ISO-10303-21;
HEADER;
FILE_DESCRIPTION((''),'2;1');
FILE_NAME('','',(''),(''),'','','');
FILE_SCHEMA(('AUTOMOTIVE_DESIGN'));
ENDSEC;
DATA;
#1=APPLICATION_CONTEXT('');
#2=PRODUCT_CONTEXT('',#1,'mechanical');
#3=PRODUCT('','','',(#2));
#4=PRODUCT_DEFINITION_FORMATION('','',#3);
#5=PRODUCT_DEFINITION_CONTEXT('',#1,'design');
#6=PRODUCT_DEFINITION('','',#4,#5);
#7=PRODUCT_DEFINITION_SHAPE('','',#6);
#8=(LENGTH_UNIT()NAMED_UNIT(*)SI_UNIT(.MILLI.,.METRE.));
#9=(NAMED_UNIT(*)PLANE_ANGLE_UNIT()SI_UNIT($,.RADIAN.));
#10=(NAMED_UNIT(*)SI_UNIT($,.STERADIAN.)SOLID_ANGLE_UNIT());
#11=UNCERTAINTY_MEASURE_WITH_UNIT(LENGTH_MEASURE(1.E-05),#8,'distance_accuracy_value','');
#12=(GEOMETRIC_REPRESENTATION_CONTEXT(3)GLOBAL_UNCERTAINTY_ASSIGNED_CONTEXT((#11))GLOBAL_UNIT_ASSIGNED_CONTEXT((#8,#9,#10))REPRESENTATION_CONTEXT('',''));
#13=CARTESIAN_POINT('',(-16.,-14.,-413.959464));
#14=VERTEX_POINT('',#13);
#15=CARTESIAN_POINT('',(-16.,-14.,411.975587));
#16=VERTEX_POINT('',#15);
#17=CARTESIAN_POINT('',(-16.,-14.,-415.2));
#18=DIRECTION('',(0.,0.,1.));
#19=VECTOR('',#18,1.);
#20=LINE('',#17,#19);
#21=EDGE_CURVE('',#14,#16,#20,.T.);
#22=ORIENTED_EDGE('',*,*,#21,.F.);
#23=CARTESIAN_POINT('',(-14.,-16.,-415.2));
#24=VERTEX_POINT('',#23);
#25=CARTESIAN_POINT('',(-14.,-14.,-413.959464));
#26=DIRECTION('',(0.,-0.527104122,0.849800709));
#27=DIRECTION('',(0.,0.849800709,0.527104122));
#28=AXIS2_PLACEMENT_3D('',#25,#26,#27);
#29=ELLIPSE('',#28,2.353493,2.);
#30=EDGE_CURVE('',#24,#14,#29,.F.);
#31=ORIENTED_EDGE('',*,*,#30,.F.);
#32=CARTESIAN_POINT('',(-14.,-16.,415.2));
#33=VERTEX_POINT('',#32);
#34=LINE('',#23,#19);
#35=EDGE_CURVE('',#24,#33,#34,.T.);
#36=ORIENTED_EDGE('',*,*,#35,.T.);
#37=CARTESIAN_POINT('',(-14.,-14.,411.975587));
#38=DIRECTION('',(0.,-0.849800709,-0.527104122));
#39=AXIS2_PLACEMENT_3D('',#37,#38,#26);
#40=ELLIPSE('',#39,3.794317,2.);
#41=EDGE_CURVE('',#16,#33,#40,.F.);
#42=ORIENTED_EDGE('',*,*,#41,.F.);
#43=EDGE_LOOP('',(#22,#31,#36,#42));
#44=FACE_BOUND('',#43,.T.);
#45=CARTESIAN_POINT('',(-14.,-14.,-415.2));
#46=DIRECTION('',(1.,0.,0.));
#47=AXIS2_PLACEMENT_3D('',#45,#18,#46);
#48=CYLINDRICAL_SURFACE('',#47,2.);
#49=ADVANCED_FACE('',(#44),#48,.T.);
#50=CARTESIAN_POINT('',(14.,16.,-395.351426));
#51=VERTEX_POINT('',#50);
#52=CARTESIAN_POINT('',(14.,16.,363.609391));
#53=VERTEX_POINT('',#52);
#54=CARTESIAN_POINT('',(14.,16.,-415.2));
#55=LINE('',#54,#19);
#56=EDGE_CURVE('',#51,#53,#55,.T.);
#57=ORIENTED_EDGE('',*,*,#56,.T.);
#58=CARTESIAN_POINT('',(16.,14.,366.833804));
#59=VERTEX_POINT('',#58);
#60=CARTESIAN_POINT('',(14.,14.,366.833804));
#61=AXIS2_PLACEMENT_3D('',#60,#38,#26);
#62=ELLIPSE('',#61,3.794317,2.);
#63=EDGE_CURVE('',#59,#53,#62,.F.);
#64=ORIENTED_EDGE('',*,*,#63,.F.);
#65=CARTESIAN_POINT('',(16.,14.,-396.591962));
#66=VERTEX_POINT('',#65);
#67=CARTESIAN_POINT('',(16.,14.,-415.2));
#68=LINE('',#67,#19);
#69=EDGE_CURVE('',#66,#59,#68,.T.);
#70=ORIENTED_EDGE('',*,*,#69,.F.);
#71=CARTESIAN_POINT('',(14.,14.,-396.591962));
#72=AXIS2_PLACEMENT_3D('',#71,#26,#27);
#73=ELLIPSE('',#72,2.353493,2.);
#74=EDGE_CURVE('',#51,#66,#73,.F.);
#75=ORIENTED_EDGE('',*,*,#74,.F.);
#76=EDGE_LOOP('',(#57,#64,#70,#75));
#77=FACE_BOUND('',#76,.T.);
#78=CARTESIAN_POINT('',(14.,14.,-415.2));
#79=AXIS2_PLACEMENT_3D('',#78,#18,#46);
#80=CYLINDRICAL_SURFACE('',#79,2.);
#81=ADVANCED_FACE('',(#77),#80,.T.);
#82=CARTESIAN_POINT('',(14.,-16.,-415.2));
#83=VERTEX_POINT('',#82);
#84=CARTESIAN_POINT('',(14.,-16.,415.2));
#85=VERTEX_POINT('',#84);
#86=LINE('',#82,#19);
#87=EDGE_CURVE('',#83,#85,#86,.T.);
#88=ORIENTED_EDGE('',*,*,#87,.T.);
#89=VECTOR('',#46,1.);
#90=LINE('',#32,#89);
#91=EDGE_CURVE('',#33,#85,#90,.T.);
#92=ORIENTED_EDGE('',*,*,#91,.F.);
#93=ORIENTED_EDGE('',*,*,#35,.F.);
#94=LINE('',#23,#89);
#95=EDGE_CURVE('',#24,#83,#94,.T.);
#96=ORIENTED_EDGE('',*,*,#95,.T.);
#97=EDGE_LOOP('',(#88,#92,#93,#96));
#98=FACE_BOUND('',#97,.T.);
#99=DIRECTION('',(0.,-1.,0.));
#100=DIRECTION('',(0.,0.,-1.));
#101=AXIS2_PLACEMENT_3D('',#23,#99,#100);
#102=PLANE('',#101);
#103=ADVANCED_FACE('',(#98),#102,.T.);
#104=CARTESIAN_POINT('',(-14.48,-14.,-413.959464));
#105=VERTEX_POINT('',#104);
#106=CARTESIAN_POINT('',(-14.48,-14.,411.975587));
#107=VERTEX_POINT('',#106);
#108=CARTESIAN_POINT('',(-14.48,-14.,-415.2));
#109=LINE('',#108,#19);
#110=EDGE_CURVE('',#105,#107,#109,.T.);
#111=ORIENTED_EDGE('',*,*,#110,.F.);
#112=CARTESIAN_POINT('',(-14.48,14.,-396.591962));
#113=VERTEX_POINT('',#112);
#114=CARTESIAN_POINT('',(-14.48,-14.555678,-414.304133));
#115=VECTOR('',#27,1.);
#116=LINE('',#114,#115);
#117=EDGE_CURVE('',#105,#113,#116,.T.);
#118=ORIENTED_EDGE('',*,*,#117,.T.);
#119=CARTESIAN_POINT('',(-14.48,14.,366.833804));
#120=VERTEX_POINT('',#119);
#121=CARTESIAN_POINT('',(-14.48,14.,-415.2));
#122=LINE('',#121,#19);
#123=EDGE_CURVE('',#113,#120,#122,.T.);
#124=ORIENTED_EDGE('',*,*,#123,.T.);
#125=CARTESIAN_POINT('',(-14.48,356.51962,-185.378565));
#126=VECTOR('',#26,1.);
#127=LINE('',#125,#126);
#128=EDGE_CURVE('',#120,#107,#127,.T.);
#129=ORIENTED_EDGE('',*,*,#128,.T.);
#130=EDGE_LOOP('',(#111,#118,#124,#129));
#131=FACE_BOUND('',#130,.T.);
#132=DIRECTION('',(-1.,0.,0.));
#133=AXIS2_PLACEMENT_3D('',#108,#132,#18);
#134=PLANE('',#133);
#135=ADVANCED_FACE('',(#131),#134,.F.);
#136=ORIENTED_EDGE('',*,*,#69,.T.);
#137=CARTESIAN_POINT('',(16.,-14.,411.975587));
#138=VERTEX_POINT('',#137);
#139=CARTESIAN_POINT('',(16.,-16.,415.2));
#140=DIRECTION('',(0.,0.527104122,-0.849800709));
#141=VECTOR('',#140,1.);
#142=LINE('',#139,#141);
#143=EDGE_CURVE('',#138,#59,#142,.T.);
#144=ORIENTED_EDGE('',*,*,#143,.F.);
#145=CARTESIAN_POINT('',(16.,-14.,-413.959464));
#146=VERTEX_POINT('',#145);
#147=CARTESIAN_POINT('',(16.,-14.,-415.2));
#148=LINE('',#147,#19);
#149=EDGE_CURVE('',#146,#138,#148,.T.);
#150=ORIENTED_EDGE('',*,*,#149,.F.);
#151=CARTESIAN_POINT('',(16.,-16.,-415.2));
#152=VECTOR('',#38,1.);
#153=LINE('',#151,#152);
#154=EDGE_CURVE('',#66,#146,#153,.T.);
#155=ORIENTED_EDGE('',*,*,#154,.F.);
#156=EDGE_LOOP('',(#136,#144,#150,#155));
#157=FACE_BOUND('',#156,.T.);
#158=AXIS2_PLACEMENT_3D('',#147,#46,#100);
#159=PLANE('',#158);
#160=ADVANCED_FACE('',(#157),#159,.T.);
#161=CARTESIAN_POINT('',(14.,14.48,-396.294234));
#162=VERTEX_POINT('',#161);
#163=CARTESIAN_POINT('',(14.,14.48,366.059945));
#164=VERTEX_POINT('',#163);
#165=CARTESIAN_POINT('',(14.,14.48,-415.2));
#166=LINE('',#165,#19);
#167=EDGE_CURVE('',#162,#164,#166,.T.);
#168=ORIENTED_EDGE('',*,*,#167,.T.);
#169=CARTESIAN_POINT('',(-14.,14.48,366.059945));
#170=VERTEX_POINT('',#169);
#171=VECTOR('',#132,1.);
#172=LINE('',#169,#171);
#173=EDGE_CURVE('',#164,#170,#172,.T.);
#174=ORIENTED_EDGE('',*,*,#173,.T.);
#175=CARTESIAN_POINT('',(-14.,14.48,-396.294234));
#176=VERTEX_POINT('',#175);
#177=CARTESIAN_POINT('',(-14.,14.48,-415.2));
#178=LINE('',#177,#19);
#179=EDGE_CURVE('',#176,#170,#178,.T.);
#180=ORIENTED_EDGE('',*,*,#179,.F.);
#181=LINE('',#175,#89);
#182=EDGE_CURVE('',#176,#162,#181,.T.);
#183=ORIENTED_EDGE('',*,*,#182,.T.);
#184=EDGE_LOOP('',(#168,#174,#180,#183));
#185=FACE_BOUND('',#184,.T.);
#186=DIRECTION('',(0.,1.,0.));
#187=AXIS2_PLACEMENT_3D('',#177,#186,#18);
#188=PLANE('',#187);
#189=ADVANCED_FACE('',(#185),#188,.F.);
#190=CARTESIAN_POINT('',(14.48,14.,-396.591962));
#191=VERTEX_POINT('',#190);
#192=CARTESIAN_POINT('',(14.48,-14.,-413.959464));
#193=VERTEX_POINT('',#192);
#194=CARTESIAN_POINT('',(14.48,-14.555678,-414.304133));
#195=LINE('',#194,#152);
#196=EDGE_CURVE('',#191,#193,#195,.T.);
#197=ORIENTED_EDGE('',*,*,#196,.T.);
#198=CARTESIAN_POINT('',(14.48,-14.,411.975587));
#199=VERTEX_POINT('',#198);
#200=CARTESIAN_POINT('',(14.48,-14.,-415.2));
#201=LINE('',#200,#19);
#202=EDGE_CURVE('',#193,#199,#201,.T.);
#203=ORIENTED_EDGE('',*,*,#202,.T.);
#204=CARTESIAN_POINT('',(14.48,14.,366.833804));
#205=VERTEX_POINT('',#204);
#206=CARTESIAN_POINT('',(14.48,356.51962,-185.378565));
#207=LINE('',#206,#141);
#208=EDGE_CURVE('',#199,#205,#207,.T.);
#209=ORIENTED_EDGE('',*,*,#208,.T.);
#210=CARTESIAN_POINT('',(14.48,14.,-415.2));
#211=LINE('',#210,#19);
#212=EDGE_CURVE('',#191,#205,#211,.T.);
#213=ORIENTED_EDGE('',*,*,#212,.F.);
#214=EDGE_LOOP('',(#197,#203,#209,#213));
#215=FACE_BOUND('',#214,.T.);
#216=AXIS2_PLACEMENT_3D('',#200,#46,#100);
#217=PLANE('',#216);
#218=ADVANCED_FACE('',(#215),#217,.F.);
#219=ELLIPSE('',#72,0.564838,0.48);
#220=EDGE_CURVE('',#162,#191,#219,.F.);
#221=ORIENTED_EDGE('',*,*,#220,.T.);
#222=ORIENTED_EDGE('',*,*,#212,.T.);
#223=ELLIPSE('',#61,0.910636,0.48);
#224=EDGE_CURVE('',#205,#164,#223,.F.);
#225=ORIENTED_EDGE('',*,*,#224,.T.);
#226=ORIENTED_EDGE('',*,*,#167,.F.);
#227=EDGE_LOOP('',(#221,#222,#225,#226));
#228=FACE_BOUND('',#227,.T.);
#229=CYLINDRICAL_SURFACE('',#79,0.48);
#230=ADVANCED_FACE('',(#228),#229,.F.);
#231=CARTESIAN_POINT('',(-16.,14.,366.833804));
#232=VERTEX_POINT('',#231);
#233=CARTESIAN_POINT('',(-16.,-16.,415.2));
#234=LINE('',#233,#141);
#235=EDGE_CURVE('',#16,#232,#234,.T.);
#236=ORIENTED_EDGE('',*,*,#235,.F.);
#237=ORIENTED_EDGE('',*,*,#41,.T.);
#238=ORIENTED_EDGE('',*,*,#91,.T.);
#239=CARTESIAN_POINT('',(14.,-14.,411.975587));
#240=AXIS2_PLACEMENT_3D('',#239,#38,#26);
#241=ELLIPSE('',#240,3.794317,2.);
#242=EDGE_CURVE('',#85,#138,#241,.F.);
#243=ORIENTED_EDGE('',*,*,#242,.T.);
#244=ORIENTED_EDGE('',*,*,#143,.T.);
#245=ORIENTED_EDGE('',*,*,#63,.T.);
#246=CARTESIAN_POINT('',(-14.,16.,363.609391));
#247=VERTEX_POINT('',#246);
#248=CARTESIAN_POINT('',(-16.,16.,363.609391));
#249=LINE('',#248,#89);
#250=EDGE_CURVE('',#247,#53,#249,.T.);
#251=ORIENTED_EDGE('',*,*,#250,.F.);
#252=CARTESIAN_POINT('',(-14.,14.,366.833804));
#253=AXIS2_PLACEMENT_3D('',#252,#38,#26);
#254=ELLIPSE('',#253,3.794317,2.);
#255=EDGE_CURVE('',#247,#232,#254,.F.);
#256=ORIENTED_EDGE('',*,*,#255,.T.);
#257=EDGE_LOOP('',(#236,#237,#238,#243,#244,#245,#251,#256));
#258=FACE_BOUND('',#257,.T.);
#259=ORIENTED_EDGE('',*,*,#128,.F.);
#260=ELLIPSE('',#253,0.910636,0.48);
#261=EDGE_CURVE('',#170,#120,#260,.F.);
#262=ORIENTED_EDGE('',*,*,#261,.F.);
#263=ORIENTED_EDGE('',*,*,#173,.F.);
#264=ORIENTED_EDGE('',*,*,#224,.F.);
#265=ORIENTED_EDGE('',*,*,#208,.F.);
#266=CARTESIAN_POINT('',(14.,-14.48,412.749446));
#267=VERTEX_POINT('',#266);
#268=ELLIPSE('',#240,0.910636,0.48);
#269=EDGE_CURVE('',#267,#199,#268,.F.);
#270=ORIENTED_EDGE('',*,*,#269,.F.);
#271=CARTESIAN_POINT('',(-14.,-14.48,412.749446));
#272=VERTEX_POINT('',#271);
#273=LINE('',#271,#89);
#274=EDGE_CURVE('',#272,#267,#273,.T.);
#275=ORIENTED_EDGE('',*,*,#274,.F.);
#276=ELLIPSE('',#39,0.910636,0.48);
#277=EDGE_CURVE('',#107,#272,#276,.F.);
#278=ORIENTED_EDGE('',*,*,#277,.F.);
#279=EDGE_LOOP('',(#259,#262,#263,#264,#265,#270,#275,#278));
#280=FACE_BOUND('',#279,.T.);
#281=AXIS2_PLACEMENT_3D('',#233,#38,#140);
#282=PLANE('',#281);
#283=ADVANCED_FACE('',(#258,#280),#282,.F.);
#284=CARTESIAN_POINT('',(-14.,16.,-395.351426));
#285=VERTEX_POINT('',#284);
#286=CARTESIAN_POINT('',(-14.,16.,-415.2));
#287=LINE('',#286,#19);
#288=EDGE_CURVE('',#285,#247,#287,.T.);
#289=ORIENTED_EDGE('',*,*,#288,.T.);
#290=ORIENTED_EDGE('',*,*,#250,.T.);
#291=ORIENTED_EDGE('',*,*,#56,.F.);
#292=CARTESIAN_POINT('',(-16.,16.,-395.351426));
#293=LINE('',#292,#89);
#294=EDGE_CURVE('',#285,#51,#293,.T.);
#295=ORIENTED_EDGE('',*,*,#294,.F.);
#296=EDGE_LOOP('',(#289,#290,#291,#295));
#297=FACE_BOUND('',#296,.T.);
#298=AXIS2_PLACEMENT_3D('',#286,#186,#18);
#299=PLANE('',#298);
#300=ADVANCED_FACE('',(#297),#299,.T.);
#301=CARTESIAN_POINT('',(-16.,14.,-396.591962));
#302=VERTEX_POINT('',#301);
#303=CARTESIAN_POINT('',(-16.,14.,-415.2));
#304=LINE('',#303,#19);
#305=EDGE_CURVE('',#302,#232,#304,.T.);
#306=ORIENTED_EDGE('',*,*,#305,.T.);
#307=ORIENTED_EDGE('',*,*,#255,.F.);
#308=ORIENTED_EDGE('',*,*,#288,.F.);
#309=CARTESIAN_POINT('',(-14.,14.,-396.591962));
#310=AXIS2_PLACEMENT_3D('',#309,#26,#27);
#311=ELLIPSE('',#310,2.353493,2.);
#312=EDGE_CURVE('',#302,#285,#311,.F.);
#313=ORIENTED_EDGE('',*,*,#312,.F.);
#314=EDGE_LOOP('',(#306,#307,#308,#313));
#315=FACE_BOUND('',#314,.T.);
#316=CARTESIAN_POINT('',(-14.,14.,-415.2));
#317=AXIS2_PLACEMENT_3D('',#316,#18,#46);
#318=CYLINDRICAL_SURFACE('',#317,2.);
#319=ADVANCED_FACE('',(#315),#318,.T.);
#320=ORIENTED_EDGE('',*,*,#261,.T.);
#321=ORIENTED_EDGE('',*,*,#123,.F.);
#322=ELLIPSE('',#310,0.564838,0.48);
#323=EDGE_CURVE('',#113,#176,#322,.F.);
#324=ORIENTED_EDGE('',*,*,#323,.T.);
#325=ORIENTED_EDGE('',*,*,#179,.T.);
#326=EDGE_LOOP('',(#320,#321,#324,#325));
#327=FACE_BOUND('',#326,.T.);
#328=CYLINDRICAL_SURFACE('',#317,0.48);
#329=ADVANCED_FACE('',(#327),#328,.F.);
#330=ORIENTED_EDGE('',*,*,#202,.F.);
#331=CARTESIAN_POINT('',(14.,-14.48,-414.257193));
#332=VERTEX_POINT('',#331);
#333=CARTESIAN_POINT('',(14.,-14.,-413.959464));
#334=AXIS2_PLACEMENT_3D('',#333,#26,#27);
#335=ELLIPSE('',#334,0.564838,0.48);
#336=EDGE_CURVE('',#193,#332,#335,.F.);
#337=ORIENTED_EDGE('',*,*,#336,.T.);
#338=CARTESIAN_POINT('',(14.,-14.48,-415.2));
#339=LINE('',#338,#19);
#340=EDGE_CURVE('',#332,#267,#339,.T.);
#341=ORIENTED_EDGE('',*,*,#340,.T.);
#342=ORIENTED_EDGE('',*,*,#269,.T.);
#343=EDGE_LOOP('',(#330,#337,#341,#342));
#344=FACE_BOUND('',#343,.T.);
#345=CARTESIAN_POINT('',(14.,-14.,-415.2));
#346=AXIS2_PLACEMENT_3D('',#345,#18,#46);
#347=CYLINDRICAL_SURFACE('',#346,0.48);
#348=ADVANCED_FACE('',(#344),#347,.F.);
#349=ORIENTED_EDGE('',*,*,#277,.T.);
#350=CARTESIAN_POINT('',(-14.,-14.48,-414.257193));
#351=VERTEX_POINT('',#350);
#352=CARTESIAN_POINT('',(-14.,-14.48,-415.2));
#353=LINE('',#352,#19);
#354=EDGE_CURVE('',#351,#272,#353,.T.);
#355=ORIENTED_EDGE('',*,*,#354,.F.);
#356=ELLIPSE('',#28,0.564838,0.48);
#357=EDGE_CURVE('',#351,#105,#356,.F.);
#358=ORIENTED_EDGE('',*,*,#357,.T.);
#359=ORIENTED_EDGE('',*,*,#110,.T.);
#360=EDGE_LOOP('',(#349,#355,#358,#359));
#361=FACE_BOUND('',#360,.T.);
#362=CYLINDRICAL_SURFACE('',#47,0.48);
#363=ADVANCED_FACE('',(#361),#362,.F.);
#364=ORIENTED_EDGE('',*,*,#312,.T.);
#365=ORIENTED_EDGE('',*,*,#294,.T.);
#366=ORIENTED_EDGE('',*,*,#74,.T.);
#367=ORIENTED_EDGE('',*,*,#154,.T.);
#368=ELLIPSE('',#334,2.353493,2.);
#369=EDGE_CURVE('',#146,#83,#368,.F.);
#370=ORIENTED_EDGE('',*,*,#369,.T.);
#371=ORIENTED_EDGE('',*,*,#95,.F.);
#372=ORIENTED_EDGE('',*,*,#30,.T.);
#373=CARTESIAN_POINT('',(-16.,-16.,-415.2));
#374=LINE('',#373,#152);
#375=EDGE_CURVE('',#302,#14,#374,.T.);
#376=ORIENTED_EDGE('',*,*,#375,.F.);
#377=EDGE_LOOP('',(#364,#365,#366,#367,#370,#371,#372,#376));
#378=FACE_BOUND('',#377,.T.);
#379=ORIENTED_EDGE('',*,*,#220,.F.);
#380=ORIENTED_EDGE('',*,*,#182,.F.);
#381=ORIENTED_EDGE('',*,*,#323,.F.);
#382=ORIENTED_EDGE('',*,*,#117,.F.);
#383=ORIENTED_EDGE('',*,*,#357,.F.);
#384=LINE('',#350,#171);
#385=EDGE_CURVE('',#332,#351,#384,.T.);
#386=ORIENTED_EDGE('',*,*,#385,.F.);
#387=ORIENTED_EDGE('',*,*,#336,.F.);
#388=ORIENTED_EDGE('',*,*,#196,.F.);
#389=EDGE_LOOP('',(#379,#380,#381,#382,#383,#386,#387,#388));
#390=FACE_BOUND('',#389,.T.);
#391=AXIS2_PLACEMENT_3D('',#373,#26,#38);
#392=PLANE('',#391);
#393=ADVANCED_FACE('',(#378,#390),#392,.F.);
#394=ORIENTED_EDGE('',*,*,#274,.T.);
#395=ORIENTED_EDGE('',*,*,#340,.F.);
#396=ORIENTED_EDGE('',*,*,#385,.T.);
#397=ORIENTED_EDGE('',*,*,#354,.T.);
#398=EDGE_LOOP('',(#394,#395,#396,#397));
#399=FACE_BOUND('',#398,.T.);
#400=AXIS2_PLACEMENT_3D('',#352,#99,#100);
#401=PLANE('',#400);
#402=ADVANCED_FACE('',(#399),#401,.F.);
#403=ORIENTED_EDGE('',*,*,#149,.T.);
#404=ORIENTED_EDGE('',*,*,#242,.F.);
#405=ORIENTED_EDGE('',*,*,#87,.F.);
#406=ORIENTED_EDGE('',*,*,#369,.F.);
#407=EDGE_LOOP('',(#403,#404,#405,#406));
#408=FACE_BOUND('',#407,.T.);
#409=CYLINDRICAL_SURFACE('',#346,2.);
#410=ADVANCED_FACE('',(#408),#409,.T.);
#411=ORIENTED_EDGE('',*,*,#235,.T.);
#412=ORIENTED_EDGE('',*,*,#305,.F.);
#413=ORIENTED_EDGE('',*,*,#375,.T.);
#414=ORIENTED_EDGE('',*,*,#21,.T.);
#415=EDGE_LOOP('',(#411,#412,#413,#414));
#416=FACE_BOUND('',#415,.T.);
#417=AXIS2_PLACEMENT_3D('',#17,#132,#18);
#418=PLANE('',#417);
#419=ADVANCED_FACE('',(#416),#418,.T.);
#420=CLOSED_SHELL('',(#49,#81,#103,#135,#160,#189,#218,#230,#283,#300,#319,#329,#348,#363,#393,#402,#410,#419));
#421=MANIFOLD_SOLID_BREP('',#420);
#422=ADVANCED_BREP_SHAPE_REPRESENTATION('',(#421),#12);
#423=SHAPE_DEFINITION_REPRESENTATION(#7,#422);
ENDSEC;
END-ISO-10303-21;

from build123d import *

# Parameters (mm, degrees)
BOSS_EXTRUDE1_DEPTH      = 415.2
BOSS_EXTRUDE1_DEPTH_BACK = 415.2
CUT_EXTRUDE1_DEPTH       = 417.738575128
CUT_EXTRUDE2_DEPTH       = 417.738575128


with BuildPart() as part:
    # Sketch1 → Boss-Extrude1 (new, two sides: drawn at the far end of the back side and taken through both)
    with BuildSketch(Plane.XY.offset(-BOSS_EXTRUDE1_DEPTH_BACK)):
        with BuildLine():
            Line((-14, -16), (14, -16))
            ThreePointArc((14, -16), (15.414213562, -15.414213562), (16, -14))
            Line((16, -14), (16, 14))
            ThreePointArc((16, 14), (15.414213562, 15.414213562), (14, 16))
            Line((14, 16), (-14, 16))
            ThreePointArc((-14, 16), (-15.414213562, 15.414213562), (-16, 14))
            Line((-16, 14), (-16, -14))
            ThreePointArc((-16, -14), (-15.414213562, -15.414213562), (-14, -16))
        make_face()
        with BuildLine():
            Line((-14, 14.48), (14, 14.48))
            ThreePointArc((14, 14.48), (14.339411255, 14.339411255), (14.48, 14))
            Line((14.48, 14), (14.48, -14))
            ThreePointArc((14.48, -14), (14.339411255, -14.339411255), (14, -14.48))
            Line((14, -14.48), (-14, -14.48))
            ThreePointArc((-14, -14.48), (-14.339411255, -14.339411255), (-14.48, -14))
            Line((-14.48, -14), (-14.48, 14))
            ThreePointArc((-14.48, 14), (-14.339411255, 14.339411255), (-14, 14.48))
        make_face(mode=Mode.SUBTRACT)
    extrude(amount=BOSS_EXTRUDE1_DEPTH + BOSS_EXTRUDE1_DEPTH_BACK)

    # Sketch2 → Cut-Extrude1 (cut, through all)
    with BuildSketch(Plane(origin=(16, 0, 0), x_dir=(0, 0, -1), z_dir=(1, 0, 0))):
        Polygon((-415.2, -16), (-415.2, 16), (-363.609390927, 16), align=None)
    extrude(amount=-CUT_EXTRUDE1_DEPTH, mode=Mode.SUBTRACT)

    # Sketch3 → Cut-Extrude2 (cut, through all)
    with BuildSketch(Plane(origin=(16, 0, 0), x_dir=(0, 0, -1), z_dir=(1, 0, 0))):
        Polygon((415.2, 16), (415.2, -16), (395.351426424, 16), align=None)
    extrude(amount=-CUT_EXTRUDE2_DEPTH, mode=Mode.SUBTRACT)


solid = part.part
